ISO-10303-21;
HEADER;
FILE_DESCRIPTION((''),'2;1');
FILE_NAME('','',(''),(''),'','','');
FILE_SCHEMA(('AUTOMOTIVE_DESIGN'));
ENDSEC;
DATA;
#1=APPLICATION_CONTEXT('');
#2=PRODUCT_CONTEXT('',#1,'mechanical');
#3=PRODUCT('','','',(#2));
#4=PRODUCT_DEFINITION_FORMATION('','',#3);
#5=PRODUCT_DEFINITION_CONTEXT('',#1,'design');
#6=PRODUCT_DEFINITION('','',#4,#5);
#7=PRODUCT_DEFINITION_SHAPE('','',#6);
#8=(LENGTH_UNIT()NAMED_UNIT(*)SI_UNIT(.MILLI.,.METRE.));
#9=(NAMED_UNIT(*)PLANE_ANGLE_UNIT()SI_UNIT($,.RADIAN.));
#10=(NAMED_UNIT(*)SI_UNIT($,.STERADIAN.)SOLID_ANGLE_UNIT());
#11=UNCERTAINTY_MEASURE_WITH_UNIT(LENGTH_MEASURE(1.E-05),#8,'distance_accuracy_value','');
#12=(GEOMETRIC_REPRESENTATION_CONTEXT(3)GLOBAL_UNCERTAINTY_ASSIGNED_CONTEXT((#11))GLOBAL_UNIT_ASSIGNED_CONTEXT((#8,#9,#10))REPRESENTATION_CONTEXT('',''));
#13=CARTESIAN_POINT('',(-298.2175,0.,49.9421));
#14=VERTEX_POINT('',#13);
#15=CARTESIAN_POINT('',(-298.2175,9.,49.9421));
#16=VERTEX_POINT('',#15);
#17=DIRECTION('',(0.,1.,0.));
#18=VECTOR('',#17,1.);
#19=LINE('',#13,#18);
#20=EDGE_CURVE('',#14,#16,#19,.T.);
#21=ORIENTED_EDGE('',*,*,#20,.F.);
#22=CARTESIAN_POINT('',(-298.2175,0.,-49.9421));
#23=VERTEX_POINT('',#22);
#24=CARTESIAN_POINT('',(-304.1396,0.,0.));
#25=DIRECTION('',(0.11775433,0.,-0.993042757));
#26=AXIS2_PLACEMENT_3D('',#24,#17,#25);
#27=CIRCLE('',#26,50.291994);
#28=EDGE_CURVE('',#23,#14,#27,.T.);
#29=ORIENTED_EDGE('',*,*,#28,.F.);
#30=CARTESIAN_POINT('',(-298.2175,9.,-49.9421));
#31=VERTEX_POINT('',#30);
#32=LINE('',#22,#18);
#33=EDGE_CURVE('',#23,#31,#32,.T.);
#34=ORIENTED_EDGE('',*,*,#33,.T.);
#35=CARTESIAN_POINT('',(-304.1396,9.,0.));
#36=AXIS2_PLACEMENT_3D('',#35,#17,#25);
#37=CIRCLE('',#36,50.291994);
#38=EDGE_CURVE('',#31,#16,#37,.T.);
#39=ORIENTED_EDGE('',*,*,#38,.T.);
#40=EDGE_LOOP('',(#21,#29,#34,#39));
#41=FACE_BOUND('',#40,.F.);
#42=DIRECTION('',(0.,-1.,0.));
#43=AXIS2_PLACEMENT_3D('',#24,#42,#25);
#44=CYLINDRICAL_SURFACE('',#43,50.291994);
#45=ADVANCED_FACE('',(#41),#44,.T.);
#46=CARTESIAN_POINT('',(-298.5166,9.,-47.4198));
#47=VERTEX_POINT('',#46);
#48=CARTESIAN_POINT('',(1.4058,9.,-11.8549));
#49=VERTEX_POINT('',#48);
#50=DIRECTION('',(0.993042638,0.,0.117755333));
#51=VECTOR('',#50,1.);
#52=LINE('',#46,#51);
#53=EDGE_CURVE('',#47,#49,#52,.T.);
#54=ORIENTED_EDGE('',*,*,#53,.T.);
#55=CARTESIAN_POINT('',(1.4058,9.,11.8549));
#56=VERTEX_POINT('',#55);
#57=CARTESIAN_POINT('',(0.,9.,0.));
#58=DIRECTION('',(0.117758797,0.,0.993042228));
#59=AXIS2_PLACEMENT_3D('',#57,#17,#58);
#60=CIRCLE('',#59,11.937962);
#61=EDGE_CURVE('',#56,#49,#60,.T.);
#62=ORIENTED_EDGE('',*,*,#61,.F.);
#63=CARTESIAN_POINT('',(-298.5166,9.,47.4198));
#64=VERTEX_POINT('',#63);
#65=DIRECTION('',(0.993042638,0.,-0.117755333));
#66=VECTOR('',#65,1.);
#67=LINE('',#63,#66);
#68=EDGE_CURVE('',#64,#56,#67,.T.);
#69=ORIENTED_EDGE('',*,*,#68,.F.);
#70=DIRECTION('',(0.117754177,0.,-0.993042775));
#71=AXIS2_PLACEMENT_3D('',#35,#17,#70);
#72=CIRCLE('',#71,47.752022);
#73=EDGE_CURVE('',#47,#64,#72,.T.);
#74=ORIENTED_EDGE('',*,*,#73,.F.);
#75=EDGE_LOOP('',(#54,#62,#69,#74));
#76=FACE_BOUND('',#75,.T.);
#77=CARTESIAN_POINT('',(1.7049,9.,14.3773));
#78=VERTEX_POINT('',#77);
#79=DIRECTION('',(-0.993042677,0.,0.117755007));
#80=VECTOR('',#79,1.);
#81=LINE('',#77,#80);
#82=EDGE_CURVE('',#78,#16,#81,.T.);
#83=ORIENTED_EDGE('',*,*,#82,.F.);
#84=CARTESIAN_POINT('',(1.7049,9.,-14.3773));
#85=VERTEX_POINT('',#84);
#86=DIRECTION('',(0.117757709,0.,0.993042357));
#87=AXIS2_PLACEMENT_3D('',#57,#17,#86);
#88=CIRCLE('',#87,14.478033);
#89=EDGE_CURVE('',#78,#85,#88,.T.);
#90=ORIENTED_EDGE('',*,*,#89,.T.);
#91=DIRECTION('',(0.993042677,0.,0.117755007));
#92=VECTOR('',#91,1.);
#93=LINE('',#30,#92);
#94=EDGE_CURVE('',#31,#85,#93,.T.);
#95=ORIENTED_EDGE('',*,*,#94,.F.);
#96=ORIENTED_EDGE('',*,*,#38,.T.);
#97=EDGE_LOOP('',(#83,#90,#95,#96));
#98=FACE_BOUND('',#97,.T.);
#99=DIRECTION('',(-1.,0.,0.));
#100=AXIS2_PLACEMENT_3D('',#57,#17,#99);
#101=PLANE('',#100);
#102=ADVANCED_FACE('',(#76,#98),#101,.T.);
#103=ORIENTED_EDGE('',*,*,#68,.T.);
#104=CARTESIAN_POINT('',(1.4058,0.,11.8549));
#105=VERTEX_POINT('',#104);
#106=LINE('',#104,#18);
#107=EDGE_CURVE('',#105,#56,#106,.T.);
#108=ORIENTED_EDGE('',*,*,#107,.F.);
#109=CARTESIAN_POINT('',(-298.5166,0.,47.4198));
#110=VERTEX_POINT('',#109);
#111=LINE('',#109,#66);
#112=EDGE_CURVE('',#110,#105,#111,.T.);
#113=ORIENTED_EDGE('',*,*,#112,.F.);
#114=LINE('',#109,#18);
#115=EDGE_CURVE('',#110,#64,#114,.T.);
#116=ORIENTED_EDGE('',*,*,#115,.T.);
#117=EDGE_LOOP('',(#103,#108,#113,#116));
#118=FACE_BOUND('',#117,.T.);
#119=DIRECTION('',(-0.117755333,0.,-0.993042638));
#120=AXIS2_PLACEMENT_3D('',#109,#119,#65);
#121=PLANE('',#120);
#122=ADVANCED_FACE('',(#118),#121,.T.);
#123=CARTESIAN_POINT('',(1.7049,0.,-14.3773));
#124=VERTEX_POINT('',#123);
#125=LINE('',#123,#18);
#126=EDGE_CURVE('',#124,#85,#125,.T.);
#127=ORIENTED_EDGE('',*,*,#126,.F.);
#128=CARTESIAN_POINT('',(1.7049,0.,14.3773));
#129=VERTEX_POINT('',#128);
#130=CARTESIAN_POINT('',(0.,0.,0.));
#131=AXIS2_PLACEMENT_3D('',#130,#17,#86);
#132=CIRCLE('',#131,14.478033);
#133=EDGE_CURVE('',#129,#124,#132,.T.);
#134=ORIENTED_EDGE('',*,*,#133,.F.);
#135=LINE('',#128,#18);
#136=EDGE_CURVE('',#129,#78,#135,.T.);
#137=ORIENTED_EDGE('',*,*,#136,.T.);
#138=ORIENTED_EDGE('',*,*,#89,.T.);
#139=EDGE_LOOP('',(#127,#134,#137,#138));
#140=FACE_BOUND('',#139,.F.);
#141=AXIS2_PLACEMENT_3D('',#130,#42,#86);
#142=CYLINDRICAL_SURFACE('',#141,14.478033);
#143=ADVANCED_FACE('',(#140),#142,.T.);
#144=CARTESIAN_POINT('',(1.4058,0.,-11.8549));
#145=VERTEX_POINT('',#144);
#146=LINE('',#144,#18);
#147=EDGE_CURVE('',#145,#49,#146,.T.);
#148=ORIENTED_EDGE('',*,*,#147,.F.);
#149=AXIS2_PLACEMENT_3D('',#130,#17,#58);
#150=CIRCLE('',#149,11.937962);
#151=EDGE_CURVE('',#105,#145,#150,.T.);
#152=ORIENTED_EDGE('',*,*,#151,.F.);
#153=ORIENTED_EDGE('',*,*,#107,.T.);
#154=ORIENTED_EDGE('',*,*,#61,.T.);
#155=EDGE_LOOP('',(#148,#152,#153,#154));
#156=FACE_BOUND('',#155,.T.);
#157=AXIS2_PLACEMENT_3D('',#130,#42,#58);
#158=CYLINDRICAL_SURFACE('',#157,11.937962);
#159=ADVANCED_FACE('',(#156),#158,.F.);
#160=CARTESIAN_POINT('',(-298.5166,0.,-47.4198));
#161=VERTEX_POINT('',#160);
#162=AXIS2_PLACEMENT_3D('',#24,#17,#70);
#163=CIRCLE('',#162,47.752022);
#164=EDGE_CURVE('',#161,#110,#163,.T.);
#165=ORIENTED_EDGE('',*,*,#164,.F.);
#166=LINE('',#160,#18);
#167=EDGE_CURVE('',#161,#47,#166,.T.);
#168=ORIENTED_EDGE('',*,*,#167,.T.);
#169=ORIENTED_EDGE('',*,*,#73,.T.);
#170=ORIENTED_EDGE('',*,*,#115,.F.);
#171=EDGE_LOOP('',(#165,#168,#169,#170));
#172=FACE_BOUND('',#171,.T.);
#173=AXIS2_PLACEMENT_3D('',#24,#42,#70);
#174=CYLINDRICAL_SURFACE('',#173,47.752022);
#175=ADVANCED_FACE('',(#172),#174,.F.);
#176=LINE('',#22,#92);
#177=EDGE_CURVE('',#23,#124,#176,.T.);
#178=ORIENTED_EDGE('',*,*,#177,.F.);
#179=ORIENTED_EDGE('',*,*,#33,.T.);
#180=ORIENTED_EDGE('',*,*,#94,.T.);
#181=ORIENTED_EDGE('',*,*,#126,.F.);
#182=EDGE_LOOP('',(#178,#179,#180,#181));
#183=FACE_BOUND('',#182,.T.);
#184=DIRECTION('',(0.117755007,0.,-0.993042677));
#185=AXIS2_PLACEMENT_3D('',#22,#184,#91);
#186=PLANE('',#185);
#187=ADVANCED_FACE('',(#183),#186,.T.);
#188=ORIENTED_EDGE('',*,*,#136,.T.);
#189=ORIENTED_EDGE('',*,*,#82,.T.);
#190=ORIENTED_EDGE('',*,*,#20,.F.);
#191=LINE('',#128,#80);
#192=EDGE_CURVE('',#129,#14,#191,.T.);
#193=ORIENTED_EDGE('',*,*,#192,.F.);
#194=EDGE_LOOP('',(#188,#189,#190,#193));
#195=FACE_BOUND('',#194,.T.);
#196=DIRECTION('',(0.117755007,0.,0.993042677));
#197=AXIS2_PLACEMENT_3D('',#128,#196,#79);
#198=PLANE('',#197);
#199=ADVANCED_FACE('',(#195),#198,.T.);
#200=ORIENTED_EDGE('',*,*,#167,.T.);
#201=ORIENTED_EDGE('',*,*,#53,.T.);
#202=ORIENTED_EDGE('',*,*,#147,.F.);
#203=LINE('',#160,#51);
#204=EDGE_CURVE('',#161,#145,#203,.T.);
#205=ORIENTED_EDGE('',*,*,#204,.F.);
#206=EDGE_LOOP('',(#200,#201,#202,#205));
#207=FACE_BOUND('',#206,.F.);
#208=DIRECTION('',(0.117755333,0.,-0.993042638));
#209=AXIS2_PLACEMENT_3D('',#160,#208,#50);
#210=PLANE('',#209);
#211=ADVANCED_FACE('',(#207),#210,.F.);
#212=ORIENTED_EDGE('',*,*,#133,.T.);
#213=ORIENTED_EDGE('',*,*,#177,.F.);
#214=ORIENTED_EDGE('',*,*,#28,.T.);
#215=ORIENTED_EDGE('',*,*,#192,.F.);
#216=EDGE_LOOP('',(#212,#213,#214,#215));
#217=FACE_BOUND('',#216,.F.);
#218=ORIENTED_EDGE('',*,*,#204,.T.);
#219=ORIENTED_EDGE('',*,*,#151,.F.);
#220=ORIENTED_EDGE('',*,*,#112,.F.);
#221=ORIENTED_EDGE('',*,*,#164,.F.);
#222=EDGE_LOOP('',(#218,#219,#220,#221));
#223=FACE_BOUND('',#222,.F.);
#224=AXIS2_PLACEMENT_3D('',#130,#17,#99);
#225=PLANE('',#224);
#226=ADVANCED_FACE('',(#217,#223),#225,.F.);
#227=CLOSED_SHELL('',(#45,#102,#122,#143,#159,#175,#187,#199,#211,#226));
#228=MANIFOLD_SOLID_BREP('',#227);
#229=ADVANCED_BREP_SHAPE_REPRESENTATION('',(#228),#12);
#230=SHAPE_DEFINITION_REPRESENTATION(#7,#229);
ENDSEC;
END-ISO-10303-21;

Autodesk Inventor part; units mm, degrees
ref_plane "YZ Plane" through (0, 0, 0) normal (1, 0, 0) x (0, 1, 0)
ref_plane "XZ Plane" through (0, 0, 0) normal (0, 1, 0) x (-1, 0, 0)
ref_plane "XY Plane" through (0, 0, 0) normal (0, 0, 1) x (1, 0, 0)
sketch "Sketch1" plane through (0, 0, 0) normal (0, 1, 0) x (-1, 0, 0)
  circle A0 centre (304.1396, 0) radius 47.752 construction
  line L0 (298.5166, 47.4198) -> (-1.4058, 11.8549)
  line L1 (298.5166, -47.4198) -> (-1.4058, -11.8549)
  arc A1 (298.5166, -47.4198) -> (298.5166, 47.4198) centre (304.1396, 0) ccw
  arc A2 (-1.4058, 11.8549) -> (-1.4058, -11.8549) centre (0, 0) ccw
  line L2 (-1.7049, 14.3773) -> (298.2175, 49.9421)
  arc A3 (298.2175, -49.9421) -> (298.2175, 49.9421) centre (304.1396, 0) ccw
  line L3 (298.2175, -49.9421) -> (-1.7049, -14.3773)
  arc A4 (-1.7049, 14.3773) -> (-1.7049, -14.3773) centre (0, 0) ccw
  dimension "d1" = 95.504
  dimension "d2" = 304.1396
  dimension "d3" = 11.938
  dimension "d4" = 2.54
extrude "Extrusion1" add sketch "Sketch1" along normal blind 9
properties part number "CORL_017_BodyBelt" material "Rubber, Silicone"
